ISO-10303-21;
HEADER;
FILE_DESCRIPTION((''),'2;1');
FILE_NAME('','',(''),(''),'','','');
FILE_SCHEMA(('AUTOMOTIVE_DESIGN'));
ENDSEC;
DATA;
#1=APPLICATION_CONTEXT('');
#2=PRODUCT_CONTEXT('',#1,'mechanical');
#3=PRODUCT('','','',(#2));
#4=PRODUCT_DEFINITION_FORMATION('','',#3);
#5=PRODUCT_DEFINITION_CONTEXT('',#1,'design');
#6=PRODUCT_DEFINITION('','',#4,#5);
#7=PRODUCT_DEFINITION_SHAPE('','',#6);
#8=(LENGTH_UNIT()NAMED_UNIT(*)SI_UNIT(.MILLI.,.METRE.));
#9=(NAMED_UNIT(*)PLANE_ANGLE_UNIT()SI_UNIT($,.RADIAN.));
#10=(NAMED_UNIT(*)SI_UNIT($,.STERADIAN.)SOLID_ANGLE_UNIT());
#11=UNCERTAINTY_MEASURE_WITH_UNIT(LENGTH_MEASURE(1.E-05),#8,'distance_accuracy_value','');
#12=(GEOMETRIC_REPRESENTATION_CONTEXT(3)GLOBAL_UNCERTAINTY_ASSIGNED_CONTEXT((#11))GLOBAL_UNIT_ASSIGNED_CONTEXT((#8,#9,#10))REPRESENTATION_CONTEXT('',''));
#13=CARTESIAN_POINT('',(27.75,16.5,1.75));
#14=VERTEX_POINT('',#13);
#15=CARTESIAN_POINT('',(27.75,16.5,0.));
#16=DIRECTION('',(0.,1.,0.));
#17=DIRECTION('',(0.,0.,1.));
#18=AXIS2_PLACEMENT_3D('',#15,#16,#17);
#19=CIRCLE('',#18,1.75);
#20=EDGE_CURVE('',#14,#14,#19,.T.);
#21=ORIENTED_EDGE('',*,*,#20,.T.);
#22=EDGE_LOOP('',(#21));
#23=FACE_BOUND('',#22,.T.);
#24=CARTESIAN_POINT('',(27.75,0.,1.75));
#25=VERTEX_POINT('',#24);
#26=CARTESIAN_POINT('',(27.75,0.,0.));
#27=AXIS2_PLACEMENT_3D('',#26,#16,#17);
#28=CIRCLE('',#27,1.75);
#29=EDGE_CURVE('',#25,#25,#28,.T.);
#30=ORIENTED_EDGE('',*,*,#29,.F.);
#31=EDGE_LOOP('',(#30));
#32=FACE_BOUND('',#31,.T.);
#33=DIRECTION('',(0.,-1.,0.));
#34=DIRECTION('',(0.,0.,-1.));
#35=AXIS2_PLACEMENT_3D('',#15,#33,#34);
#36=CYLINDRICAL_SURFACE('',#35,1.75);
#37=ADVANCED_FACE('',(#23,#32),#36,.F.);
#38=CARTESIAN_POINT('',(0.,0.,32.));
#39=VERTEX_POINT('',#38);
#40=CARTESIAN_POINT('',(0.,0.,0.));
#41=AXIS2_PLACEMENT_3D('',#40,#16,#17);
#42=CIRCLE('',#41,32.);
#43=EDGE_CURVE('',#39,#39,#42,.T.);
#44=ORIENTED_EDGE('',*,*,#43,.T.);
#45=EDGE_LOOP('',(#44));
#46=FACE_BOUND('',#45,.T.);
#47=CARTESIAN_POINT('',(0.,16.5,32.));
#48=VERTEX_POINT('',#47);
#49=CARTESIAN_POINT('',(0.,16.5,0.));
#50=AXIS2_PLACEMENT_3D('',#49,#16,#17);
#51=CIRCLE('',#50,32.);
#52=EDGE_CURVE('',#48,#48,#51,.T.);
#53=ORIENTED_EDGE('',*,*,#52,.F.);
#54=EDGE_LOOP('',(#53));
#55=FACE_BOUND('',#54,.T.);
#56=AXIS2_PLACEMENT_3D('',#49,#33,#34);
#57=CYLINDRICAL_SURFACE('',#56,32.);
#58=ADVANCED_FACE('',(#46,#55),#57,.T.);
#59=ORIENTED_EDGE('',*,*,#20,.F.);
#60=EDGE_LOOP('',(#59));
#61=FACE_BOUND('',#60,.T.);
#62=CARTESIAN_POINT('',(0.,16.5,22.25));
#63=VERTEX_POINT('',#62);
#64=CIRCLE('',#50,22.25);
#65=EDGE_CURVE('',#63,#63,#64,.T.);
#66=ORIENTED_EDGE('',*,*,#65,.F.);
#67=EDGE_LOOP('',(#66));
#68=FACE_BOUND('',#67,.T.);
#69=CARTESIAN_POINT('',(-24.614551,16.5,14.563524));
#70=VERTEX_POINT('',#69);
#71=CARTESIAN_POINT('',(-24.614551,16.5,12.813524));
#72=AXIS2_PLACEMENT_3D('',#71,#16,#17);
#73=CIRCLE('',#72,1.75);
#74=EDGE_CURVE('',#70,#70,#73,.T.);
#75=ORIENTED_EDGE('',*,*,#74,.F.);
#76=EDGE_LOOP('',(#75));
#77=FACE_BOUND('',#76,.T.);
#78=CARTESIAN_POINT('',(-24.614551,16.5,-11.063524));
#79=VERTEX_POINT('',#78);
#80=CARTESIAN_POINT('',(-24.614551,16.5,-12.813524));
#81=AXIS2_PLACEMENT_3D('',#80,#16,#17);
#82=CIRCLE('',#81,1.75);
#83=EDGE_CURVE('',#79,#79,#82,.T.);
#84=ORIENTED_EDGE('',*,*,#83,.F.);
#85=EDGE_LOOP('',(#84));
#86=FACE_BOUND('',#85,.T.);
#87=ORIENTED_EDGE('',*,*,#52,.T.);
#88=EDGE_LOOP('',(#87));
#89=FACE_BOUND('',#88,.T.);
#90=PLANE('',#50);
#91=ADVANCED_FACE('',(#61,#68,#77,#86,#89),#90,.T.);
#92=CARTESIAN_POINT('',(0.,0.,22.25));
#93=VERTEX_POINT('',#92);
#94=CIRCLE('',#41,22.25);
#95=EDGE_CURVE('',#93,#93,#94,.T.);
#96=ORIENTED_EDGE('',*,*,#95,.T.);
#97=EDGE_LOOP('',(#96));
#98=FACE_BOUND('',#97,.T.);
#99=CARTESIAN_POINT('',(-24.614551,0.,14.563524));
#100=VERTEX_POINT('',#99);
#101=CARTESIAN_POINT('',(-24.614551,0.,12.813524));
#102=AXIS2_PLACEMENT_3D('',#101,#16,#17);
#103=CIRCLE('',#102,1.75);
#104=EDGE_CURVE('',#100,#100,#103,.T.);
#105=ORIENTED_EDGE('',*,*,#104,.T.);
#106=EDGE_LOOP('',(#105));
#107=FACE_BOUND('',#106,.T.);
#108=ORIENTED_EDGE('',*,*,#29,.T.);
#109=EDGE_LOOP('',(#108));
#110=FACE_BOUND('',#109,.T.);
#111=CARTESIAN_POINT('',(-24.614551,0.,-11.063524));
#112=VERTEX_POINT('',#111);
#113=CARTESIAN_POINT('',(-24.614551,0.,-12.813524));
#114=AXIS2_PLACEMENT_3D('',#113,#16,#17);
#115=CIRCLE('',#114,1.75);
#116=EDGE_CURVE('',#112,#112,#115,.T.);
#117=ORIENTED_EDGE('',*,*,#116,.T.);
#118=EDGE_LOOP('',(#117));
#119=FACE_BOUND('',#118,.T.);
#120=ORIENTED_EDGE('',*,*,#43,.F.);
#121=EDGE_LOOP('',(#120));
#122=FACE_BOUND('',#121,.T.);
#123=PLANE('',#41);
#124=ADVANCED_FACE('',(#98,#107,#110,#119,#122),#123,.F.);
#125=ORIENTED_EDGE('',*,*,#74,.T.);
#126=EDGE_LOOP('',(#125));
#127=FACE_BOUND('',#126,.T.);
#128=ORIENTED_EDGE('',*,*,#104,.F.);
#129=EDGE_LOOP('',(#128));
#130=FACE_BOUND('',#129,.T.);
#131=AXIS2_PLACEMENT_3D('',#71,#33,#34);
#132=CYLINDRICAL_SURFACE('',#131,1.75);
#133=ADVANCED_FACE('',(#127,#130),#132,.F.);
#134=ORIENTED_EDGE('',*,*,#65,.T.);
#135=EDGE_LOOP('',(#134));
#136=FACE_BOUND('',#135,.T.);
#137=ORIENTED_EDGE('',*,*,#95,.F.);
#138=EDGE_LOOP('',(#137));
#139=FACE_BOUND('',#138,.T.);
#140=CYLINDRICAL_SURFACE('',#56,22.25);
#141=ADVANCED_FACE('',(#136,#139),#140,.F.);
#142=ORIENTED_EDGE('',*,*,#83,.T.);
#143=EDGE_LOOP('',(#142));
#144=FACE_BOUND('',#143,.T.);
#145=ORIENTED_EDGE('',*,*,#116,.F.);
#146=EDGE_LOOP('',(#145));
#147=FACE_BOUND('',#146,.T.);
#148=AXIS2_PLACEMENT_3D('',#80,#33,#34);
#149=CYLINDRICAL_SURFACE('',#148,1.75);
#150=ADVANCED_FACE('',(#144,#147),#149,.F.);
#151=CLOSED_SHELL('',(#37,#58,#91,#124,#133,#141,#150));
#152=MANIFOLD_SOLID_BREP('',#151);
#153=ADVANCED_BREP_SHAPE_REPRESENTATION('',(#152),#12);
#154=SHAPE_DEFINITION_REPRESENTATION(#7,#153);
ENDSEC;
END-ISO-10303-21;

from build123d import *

# Parameters (mm, degrees)
SKETCH_1_R      = 32
SKETCH_1_R_2    = 22.25
SKETCH_1_R_3    = 1.75
EXTRUDE_1_DEPTH = 16.5


with BuildPart() as part:
    # 草图1 → 凸台-拉伸1 (new body)
    with BuildSketch(Plane(origin=(0, 0, 0), x_dir=(1, 0, 0), z_dir=(0, 1, 0))):
        with Locations(Location((0, 0, 0), (0, 0, 270))):
            Circle(SKETCH_1_R)
        with Locations(Location((0, 0, 0), (0, 0, 270))):
            Circle(SKETCH_1_R_2, mode=Mode.SUBTRACT)
        with Locations(Location((27.75, 0, 0), (0, 0, 270))):
            Circle(SKETCH_1_R_3, mode=Mode.SUBTRACT)
        with Locations(Location((-24.614550621, 12.813524017, 0), (0, 0, 270))):
            Circle(SKETCH_1_R_3, mode=Mode.SUBTRACT)
        with Locations(Location((-24.614550621, -12.813524017, 0), (0, 0, 270))):
            Circle(SKETCH_1_R_3, mode=Mode.SUBTRACT)
    extrude(amount=EXTRUDE_1_DEPTH)


solid = part.part
